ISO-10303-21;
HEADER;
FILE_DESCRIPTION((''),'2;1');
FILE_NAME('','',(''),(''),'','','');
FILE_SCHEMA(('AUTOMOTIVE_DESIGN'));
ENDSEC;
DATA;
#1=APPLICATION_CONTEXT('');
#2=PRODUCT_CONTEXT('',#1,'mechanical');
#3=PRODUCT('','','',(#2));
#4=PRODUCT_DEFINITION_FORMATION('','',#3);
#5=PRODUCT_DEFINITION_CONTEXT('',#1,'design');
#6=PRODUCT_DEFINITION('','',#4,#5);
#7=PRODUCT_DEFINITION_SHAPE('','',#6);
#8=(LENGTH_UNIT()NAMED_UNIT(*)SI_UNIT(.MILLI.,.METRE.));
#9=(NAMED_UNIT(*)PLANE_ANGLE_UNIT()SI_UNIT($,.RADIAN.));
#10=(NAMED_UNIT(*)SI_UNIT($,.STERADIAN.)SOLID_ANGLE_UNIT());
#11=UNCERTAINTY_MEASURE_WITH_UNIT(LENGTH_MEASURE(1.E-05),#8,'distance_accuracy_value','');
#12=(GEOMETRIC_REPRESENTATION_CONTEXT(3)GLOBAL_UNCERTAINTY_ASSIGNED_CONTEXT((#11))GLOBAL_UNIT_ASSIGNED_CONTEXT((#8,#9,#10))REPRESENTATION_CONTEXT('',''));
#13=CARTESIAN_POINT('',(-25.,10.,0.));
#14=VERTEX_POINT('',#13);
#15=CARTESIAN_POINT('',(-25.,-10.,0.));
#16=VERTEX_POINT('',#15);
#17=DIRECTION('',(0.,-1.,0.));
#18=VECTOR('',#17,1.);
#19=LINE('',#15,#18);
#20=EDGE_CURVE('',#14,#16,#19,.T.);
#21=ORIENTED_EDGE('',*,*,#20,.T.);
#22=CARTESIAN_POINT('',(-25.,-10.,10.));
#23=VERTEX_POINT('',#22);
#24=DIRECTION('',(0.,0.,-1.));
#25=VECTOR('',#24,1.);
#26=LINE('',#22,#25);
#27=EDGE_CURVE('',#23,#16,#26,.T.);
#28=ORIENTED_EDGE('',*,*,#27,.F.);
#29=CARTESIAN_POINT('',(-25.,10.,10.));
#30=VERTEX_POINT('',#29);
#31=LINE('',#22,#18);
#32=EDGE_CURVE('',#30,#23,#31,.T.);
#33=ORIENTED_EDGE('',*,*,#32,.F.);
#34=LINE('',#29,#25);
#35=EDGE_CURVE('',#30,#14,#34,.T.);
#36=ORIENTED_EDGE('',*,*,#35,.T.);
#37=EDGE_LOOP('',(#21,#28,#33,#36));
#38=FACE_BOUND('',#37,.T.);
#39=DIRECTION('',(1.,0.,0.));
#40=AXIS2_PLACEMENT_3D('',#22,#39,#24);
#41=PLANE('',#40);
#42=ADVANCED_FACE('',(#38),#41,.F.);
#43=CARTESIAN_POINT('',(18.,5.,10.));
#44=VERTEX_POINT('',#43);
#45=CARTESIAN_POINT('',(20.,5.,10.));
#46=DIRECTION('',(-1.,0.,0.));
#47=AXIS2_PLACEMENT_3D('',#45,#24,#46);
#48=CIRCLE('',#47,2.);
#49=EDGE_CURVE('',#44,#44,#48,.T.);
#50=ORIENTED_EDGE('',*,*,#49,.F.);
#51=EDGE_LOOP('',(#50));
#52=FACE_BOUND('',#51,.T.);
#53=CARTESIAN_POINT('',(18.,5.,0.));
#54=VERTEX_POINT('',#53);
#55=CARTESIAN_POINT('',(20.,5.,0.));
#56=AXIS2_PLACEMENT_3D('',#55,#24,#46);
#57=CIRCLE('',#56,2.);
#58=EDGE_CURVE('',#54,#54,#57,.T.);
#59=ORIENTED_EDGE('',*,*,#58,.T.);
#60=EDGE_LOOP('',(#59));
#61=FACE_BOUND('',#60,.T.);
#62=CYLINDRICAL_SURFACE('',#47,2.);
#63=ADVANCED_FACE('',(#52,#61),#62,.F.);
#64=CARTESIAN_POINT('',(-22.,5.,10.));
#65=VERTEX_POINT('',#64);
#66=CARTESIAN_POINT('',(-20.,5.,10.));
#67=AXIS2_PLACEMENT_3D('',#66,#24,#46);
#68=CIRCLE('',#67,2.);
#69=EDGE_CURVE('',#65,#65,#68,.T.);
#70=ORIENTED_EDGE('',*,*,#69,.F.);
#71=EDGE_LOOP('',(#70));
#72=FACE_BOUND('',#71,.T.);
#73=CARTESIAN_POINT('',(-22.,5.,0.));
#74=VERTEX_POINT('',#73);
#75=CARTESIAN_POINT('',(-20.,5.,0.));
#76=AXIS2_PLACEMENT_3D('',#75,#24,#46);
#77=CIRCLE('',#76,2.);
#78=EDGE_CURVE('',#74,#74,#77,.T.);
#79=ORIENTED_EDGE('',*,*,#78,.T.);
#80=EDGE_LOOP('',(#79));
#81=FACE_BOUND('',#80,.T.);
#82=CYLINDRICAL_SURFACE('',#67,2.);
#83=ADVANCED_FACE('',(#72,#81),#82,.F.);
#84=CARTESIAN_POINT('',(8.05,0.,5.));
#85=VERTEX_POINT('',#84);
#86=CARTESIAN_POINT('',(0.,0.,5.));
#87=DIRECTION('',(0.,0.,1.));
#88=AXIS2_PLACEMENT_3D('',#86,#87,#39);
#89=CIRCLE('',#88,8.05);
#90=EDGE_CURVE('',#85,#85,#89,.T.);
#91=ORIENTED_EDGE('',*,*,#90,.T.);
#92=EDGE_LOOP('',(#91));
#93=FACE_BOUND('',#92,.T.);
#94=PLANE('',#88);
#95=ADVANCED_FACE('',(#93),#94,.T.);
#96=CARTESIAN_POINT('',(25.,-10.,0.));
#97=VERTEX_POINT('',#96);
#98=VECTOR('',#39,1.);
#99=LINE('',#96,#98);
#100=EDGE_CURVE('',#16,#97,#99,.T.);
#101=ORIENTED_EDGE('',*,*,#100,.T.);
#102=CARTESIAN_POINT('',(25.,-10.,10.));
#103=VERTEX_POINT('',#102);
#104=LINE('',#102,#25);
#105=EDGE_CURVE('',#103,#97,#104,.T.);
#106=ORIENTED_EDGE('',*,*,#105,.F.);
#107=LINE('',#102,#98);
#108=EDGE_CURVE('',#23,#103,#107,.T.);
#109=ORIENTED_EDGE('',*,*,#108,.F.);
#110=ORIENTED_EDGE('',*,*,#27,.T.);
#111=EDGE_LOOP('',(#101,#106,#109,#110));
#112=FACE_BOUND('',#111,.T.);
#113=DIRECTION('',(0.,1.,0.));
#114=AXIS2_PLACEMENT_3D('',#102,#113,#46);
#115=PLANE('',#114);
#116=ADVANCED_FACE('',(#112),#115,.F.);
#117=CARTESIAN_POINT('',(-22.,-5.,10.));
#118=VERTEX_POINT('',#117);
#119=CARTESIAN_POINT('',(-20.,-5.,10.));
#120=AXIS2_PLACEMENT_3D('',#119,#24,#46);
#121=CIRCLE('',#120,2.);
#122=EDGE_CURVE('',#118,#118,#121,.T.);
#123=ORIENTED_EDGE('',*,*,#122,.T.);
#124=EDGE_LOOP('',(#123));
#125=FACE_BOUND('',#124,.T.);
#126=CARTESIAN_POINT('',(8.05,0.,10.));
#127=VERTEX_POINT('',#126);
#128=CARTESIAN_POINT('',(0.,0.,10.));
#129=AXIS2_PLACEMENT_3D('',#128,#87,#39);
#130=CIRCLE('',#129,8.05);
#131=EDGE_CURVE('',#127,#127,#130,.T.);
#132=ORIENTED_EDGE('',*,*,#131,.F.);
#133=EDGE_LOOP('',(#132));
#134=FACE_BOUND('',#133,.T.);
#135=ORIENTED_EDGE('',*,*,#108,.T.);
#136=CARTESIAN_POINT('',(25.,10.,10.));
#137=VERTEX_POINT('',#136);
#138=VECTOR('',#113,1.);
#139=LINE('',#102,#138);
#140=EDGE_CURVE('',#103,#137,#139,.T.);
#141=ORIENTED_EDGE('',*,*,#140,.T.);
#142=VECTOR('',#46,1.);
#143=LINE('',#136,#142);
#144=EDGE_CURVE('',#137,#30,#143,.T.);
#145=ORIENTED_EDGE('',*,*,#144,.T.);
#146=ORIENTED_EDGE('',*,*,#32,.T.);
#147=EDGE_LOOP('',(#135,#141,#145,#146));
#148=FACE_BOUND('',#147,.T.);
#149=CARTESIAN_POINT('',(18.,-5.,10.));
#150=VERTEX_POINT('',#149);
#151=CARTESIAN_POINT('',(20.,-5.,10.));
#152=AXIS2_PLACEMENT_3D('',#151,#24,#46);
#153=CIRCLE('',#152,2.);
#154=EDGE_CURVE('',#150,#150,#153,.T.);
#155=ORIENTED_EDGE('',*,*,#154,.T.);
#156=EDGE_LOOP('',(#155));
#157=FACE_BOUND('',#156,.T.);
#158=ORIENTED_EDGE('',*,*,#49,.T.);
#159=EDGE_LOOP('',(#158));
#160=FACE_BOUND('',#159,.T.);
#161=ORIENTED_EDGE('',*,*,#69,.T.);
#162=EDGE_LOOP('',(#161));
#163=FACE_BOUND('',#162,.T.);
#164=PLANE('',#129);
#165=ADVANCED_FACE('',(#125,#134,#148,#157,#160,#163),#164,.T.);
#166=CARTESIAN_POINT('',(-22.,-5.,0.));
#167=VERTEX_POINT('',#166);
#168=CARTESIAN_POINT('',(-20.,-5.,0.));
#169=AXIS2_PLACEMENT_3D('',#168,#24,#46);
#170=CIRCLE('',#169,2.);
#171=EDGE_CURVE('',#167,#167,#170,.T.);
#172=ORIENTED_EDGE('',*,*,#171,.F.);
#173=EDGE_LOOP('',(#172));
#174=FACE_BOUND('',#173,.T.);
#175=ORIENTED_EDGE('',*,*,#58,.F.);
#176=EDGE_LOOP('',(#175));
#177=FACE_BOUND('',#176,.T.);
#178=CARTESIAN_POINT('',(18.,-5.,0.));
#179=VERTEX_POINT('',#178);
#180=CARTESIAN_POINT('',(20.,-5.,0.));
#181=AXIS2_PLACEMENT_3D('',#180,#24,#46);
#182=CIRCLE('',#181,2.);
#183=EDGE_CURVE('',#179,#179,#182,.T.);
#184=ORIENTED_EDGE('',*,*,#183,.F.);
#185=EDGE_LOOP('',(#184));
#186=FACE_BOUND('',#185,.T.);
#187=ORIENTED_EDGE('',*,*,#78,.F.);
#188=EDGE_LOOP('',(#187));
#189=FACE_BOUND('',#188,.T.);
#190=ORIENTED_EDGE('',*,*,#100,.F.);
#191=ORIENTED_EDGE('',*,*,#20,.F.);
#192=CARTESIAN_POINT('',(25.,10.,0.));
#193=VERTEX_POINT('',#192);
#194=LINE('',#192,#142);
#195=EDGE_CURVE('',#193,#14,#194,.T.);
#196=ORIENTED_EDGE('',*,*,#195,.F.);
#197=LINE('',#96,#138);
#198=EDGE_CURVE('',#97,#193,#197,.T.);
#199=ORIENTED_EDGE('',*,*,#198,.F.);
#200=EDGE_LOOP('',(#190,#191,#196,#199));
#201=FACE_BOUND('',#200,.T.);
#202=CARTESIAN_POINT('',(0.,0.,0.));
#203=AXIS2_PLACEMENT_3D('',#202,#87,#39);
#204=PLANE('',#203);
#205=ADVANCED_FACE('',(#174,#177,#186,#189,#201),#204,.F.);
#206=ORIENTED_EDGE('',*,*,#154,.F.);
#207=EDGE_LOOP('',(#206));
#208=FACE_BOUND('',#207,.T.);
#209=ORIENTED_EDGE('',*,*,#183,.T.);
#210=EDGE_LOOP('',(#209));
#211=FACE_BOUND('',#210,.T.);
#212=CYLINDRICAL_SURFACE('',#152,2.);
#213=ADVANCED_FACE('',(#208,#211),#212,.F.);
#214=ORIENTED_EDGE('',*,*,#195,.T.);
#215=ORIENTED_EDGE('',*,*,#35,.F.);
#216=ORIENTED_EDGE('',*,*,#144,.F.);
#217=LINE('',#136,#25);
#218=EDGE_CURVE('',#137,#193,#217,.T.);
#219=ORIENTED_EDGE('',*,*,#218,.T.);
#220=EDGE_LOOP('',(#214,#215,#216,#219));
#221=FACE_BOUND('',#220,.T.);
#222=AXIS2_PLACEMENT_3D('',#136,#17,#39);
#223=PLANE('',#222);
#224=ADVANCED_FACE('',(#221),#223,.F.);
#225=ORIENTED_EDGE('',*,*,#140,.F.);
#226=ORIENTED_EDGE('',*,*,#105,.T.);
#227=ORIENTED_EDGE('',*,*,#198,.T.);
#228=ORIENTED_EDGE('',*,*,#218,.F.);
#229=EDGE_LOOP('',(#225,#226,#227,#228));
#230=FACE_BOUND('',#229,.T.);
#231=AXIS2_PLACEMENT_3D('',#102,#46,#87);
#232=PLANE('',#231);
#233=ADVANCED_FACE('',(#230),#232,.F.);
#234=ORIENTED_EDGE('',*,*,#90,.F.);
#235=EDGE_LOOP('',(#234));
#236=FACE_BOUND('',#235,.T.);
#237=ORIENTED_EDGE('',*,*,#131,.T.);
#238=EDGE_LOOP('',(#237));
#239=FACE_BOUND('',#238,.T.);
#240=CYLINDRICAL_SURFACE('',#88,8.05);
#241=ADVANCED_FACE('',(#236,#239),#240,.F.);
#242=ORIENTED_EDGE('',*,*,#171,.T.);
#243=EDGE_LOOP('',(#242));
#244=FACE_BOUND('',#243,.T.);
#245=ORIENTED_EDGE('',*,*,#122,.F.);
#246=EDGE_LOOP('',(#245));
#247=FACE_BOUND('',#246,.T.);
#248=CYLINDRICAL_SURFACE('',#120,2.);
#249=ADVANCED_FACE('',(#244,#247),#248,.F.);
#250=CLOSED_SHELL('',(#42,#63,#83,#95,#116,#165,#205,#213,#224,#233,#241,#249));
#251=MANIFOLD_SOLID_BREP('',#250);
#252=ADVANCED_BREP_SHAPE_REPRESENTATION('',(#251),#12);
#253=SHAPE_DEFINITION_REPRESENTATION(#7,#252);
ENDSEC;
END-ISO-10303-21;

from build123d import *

# Parameters (mm, degrees)
SKETCH1_W           = 50
SKETCH1_H           = 20
BOSS_EXTRUDE1_DEPTH = 10
SKETCH3_R           = 8.05
CUT_EXTRUDE1_DEPTH  = 5
SKETCH5_R           = 2
CUT_EXTRUDE2_DEPTH  = 10


with BuildPart() as part:
    # Sketch1 → Boss-Extrude1 (new body)
    with BuildSketch(Plane.XY):
        Rectangle(SKETCH1_W, SKETCH1_H)
    extrude(amount=BOSS_EXTRUDE1_DEPTH)

    # Sketch3 → Cut-Extrude1 (cut)
    with BuildSketch(Plane.XY.offset(10)):
        Circle(SKETCH3_R)
    extrude(amount=-CUT_EXTRUDE1_DEPTH, mode=Mode.SUBTRACT)

    # Sketch5 → Cut-Extrude2 (cut)
    with BuildSketch(Plane(origin=(0, 0, 0), x_dir=(-1, 0, 0), z_dir=(0, 0, -1))):
        with Locations((-20, 5)):
            Circle(SKETCH5_R)
        with Locations((-20, -5)):
            Circle(SKETCH5_R)
        with Locations((20, 5)):
            Circle(SKETCH5_R)
        with Locations((20, -5)):
            Circle(SKETCH5_R)
    extrude(amount=-CUT_EXTRUDE2_DEPTH, mode=Mode.SUBTRACT)


solid = part.part
